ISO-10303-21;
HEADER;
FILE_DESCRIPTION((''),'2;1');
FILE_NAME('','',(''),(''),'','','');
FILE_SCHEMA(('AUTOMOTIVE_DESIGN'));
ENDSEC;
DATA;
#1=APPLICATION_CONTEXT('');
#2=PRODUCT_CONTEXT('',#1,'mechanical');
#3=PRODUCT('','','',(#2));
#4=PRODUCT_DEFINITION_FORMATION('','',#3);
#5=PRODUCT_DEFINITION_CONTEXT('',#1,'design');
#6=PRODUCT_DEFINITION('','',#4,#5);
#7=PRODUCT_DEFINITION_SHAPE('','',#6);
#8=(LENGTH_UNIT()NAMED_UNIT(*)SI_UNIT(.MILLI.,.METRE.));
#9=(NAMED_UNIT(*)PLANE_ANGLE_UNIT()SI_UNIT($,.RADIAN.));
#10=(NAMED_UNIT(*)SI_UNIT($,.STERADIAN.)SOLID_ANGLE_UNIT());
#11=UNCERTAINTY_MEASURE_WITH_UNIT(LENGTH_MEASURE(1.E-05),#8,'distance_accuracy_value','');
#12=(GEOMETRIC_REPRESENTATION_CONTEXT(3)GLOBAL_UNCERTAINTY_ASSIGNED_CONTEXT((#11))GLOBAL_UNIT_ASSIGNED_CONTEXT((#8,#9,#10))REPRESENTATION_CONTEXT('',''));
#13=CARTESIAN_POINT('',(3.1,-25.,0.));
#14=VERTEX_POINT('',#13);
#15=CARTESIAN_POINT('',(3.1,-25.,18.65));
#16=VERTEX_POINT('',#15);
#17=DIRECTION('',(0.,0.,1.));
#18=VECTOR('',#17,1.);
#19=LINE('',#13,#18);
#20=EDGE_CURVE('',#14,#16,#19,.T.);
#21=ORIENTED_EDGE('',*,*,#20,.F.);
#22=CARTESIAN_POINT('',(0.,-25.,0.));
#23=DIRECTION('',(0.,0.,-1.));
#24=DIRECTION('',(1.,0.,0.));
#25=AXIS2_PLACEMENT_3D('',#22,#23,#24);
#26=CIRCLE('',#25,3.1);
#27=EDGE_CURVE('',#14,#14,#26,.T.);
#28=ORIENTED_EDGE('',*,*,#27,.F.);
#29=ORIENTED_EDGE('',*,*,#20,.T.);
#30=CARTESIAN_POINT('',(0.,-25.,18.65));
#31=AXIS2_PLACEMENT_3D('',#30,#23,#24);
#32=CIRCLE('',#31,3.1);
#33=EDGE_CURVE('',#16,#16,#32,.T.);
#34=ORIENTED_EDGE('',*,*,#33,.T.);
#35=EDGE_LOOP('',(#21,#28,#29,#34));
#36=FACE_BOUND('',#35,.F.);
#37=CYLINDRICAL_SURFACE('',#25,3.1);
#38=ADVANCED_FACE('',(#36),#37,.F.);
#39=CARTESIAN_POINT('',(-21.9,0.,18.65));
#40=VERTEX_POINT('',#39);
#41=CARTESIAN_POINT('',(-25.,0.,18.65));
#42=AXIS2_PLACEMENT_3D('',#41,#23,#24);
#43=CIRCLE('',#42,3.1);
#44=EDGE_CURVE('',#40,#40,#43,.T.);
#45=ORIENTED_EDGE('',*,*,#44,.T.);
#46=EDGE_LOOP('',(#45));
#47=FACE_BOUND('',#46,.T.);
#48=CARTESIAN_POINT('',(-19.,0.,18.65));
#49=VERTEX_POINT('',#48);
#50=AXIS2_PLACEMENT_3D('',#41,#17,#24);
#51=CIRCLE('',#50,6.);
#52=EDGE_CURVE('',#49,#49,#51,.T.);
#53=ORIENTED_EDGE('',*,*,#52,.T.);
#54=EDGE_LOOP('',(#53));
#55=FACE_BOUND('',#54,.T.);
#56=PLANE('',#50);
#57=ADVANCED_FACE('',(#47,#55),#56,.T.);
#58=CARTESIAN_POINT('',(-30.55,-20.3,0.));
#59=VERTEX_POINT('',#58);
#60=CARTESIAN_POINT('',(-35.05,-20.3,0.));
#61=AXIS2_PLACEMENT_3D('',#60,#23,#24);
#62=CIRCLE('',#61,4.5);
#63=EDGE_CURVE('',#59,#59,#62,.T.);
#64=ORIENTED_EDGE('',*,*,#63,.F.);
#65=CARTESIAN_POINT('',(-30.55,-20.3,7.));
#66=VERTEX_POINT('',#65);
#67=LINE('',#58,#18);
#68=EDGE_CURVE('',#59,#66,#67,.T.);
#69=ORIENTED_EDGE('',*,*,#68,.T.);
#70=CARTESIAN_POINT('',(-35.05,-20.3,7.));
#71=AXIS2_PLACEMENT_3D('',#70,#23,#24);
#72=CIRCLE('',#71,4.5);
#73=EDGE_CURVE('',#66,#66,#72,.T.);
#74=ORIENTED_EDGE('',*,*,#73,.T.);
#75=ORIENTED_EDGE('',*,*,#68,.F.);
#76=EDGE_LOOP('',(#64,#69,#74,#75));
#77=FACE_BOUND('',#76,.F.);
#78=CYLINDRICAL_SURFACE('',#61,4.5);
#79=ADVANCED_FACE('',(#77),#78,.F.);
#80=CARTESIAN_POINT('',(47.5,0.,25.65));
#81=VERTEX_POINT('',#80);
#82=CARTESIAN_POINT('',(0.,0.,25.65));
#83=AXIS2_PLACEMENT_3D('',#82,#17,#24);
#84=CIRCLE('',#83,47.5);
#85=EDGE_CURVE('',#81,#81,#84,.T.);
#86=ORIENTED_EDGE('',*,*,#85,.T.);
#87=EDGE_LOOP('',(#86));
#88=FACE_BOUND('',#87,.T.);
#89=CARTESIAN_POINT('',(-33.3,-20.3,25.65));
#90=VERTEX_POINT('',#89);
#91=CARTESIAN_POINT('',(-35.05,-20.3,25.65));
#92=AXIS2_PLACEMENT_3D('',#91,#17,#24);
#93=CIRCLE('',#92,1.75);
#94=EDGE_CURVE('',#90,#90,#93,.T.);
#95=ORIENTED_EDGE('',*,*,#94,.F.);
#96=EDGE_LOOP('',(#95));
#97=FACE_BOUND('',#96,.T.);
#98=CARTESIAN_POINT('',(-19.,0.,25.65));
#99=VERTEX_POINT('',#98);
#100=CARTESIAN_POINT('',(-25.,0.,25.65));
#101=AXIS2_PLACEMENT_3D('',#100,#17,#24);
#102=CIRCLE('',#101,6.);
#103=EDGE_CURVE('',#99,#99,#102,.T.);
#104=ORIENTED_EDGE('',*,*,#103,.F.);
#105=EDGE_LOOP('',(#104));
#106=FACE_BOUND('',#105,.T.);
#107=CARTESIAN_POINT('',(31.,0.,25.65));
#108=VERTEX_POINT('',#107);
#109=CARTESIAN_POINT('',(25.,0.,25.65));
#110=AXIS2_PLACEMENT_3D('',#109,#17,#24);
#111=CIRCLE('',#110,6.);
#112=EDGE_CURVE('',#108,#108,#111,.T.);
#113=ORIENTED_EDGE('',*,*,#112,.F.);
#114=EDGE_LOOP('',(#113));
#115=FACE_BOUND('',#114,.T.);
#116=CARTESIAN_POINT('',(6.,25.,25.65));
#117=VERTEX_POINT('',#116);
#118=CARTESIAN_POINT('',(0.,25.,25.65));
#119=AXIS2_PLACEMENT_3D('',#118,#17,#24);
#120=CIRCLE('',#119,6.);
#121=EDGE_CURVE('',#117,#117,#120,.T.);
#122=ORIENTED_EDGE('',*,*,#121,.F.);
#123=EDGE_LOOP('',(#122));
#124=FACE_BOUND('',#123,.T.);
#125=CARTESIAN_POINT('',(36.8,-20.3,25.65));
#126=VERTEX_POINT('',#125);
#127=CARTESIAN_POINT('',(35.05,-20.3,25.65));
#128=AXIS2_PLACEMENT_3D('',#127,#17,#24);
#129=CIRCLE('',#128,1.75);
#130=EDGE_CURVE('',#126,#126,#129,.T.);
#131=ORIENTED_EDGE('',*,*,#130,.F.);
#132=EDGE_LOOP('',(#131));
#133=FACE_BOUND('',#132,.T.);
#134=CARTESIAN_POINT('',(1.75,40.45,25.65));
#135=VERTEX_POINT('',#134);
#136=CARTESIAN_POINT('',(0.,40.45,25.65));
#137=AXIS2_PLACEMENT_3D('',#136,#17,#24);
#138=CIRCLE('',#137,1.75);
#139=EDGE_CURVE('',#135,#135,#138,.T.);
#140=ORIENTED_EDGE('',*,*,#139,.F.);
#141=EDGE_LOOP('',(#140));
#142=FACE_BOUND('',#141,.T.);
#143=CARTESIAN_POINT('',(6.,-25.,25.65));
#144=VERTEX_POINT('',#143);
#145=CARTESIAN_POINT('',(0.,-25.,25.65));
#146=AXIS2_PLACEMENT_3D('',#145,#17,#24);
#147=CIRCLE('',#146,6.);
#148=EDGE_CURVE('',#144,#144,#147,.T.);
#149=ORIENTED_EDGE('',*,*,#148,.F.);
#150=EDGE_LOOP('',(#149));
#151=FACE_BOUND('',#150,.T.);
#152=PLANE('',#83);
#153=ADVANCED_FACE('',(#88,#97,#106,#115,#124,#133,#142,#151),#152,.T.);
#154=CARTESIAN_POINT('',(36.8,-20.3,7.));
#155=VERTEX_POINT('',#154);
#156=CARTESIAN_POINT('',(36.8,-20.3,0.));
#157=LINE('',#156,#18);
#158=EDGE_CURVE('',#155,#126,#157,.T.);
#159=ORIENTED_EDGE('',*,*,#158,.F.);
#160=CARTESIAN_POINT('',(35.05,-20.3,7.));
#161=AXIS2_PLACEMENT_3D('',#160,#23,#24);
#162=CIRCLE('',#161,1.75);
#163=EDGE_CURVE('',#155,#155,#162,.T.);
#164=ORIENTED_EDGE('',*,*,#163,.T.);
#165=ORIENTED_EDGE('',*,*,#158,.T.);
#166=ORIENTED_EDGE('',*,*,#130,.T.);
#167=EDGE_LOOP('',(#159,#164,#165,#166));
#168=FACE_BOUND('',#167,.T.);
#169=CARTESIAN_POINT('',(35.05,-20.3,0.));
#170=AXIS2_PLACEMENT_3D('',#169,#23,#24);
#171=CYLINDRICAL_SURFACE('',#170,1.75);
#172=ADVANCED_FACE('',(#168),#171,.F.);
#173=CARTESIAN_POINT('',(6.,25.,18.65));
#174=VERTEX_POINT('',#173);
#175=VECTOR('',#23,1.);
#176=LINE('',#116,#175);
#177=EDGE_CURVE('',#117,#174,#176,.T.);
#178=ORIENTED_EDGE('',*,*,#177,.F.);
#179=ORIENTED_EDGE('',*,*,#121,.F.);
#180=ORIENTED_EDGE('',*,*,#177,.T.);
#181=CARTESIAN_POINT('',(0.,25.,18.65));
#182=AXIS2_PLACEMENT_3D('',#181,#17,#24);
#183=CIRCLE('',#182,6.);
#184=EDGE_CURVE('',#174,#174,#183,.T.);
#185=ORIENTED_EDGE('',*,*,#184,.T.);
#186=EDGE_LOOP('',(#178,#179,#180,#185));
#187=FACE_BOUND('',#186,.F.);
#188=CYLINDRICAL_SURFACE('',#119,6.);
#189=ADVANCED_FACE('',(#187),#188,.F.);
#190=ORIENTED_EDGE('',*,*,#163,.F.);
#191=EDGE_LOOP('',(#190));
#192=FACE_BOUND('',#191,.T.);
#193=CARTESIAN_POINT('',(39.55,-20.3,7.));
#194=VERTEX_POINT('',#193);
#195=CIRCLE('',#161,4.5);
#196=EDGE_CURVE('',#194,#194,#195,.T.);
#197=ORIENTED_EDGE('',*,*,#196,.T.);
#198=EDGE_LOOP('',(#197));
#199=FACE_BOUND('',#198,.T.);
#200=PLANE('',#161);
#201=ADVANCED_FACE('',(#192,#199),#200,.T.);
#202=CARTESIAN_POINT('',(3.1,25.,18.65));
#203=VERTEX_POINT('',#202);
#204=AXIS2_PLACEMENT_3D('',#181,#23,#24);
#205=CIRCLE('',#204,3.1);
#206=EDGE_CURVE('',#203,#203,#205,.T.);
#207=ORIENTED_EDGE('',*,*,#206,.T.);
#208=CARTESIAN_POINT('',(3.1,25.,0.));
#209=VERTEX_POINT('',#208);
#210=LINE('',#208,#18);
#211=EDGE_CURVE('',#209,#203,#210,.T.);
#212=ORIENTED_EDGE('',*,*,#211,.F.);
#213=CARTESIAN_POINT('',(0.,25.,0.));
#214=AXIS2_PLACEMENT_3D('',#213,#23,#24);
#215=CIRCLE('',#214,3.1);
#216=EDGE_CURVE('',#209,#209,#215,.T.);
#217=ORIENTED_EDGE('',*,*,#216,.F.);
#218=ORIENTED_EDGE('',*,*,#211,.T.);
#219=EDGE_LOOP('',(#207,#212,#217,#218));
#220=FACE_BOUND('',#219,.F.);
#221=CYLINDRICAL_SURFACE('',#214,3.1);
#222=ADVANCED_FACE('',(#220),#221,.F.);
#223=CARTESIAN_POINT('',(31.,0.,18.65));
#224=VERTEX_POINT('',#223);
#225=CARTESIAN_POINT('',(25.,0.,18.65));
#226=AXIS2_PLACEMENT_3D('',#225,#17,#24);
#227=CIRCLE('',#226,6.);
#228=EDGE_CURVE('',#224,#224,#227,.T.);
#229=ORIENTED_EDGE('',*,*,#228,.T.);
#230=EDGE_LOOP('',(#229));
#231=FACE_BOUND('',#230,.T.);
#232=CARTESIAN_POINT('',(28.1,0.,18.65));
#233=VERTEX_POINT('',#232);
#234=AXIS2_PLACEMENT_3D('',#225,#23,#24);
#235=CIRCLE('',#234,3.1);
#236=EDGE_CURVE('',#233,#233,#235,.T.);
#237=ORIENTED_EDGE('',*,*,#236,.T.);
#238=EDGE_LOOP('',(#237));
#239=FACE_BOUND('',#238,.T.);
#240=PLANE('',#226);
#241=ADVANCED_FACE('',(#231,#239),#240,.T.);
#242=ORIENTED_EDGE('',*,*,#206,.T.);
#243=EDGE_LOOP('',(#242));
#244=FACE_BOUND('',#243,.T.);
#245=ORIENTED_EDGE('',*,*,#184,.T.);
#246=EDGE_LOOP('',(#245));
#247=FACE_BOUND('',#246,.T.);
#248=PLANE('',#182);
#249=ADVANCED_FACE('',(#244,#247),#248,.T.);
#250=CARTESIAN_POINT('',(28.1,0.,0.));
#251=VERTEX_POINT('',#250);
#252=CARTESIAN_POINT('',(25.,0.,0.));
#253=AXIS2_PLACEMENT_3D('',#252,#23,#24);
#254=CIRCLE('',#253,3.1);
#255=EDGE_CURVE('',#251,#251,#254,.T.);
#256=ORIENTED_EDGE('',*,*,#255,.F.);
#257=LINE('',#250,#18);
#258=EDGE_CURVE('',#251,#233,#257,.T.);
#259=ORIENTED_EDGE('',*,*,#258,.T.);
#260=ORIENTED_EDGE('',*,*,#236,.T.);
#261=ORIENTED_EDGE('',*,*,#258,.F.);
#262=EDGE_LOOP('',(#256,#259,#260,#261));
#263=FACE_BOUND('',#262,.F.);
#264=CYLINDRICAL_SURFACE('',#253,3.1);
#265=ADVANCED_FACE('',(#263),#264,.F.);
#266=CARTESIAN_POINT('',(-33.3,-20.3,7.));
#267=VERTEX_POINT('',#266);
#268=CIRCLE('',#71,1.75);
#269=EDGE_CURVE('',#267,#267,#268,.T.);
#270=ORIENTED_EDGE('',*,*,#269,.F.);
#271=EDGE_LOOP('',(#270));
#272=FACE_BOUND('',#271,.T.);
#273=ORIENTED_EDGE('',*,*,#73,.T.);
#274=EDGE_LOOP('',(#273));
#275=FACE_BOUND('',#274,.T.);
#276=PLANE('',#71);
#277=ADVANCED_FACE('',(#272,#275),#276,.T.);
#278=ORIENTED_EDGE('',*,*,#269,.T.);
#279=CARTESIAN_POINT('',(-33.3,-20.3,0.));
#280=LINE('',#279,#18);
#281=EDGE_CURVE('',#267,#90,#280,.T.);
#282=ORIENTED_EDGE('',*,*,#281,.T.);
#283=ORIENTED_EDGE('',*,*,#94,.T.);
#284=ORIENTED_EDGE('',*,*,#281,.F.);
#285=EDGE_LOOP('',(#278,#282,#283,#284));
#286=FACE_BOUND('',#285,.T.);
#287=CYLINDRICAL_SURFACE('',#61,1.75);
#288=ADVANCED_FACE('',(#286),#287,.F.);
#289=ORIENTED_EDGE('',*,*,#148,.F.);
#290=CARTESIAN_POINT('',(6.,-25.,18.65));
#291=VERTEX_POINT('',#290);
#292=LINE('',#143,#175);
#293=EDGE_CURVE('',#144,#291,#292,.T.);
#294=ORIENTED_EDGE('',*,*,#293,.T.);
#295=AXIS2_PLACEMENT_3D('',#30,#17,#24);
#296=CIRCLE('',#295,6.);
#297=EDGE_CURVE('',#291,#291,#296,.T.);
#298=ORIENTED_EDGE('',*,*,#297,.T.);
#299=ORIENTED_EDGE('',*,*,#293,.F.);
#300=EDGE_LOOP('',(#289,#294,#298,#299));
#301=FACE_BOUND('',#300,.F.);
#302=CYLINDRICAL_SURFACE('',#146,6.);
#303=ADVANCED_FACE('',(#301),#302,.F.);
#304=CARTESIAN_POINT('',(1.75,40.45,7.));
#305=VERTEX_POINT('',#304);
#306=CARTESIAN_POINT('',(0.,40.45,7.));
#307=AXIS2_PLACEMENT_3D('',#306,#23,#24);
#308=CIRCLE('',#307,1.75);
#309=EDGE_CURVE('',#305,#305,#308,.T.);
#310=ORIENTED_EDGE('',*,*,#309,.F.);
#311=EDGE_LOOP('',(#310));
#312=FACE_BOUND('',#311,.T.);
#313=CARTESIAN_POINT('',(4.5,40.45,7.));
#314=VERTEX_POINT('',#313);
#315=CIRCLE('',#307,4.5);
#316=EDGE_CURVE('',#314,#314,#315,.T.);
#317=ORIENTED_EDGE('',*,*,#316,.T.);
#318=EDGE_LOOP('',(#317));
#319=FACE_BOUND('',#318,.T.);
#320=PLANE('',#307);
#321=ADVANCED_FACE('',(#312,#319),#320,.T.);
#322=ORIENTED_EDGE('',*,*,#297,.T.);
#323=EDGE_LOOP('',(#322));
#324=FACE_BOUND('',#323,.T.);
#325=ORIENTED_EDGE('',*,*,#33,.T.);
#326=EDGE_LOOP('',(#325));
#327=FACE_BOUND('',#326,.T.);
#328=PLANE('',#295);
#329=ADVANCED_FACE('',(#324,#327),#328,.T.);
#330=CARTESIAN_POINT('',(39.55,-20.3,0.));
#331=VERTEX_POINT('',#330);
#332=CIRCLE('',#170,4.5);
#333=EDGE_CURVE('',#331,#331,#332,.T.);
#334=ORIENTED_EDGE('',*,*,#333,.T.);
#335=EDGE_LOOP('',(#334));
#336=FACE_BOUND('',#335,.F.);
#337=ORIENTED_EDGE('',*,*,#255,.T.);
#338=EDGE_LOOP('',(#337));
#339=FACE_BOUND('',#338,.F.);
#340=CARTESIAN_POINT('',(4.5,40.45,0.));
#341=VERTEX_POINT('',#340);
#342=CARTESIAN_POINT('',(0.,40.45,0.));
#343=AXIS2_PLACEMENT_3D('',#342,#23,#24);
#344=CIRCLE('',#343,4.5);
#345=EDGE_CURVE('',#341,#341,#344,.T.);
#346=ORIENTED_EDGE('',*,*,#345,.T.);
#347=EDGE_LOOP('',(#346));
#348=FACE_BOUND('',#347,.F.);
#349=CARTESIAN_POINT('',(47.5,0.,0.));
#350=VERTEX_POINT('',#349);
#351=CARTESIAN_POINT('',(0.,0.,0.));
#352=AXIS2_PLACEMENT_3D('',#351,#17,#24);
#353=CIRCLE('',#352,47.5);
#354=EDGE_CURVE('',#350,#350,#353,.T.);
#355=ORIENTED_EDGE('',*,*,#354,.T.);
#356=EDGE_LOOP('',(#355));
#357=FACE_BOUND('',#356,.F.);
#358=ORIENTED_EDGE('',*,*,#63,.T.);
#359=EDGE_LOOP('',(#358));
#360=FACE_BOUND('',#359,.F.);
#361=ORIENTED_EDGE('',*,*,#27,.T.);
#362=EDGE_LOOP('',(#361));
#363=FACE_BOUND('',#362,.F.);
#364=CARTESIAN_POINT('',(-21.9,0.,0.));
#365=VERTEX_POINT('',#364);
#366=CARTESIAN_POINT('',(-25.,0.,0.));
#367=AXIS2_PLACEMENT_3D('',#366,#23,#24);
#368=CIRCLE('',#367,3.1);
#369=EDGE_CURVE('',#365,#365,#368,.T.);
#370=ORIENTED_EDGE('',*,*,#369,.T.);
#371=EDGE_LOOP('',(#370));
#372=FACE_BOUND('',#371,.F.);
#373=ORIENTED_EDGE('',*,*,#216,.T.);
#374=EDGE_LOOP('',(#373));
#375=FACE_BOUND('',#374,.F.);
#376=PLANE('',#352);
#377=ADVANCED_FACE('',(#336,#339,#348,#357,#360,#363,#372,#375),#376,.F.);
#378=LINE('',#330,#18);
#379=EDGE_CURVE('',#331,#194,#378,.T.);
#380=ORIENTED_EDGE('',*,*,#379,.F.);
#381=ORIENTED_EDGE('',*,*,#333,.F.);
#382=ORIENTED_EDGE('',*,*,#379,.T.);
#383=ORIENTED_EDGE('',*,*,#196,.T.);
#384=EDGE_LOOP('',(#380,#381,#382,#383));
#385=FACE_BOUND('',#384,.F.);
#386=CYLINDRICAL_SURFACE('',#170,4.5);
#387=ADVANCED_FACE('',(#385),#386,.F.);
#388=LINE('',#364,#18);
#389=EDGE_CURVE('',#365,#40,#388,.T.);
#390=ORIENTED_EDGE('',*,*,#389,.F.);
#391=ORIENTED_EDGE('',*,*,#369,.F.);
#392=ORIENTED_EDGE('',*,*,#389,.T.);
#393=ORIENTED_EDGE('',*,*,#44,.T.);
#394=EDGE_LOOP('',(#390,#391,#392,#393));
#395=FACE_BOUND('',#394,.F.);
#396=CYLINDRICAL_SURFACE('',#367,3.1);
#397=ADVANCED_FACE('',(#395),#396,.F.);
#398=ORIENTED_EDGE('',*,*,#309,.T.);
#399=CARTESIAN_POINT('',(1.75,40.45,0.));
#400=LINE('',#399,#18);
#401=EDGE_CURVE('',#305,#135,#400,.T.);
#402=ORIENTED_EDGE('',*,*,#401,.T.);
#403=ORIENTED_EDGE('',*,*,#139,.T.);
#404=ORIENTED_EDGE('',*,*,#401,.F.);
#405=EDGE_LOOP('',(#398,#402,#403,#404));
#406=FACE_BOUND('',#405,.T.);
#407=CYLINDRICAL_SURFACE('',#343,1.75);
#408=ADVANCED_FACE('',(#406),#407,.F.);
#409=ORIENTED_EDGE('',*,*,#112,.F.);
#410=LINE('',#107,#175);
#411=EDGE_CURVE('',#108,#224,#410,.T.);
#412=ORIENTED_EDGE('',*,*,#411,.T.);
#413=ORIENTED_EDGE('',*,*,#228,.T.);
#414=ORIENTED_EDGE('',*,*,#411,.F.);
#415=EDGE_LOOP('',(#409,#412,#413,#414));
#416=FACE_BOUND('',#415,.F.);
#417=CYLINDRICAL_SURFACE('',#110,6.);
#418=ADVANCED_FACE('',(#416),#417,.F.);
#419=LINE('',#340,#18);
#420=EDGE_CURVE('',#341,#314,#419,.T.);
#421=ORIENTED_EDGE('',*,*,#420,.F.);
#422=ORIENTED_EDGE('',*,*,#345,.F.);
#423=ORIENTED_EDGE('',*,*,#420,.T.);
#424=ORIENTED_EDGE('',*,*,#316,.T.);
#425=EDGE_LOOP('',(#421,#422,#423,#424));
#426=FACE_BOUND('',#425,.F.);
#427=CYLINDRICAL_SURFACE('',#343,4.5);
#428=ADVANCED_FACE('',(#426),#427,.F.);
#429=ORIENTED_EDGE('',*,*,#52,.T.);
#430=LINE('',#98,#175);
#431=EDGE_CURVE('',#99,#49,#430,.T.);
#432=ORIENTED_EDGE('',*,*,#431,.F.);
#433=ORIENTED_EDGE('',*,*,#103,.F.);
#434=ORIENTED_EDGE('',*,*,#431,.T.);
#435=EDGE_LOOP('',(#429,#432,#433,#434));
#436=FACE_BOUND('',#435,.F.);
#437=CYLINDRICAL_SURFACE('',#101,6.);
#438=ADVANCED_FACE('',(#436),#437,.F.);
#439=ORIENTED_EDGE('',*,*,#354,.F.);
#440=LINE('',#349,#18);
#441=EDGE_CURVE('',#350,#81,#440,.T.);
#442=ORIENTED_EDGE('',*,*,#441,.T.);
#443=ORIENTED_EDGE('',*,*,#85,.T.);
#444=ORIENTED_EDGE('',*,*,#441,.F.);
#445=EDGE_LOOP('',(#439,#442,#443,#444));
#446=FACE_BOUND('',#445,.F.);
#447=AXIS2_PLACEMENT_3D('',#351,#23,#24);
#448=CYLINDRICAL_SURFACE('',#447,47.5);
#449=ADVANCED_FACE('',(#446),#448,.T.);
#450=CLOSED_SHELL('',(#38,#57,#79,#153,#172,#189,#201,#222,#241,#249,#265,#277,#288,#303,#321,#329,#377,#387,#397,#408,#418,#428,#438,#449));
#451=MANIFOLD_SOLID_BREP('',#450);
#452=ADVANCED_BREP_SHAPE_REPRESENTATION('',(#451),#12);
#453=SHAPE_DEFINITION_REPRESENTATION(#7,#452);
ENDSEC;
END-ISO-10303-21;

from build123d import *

# Parameters (mm, degrees)
SKETCH_R        = 47.5
SKETCH_R_2      = 1.75
PAD_DEPTH       = 25.65
SKETCH001_R     = 4.5
POCKET_DEPTH    = 7
SKETCH002_R     = 3.1
POCKET001_DEPTH = 25.651
SKETCH003_R     = 6
POCKET002_DEPTH = 7


with BuildPart() as part:
    # Sketch → Pad (new body)
    with BuildSketch(Plane.XY):
        Circle(SKETCH_R)
        with Locations((0, 40.45)):
            Circle(SKETCH_R_2, mode=Mode.SUBTRACT)
        with Locations((-35.05, -20.3)):
            Circle(SKETCH_R_2, mode=Mode.SUBTRACT)
        with Locations((35.05, -20.3)):
            Circle(SKETCH_R_2, mode=Mode.SUBTRACT)
    extrude(amount=PAD_DEPTH)

    # Sketch001 (on Face5 of Pad) → Pocket (cut)
    with BuildSketch(Plane(origin=(0, 0, 0), x_dir=(1, 0, 0), z_dir=(0, 0, -1))):
        with Locations((-35.05, 20.3)):
            Circle(SKETCH001_R)
        with Locations((35.05, 20.3)):
            Circle(SKETCH001_R)
        with Locations((0, -40.45)):
            Circle(SKETCH001_R)
    extrude(amount=-POCKET_DEPTH, mode=Mode.SUBTRACT)

    # Sketch002 (on Face2 of Pocket) → Pocket001 (cut, through all)
    with BuildSketch(Plane(origin=(0, 0, 0), x_dir=(1, 0, 0), z_dir=(0, 0, -1))):
        with Locations((0, 25)):
            Circle(SKETCH002_R)
        with Locations((25, 0)):
            Circle(SKETCH002_R)
        with Locations((-25, 0)):
            Circle(SKETCH002_R)
        with Locations((0, -25)):
            Circle(SKETCH002_R)
    extrude(amount=-POCKET001_DEPTH, mode=Mode.SUBTRACT)

    # Sketch003 (on Face3 of Pocket001) → Pocket002 (cut)
    with BuildSketch(Plane.XY.offset(25.65)):
        with Locations((0, 25)):
            Circle(SKETCH003_R)
        with Locations((0, -25)):
            Circle(SKETCH003_R)
        with Locations((25, 0)):
            Circle(SKETCH003_R)
        with Locations((-25, 0)):
            Circle(SKETCH003_R)
    extrude(amount=-POCKET002_DEPTH, mode=Mode.SUBTRACT)


solid = part.part
